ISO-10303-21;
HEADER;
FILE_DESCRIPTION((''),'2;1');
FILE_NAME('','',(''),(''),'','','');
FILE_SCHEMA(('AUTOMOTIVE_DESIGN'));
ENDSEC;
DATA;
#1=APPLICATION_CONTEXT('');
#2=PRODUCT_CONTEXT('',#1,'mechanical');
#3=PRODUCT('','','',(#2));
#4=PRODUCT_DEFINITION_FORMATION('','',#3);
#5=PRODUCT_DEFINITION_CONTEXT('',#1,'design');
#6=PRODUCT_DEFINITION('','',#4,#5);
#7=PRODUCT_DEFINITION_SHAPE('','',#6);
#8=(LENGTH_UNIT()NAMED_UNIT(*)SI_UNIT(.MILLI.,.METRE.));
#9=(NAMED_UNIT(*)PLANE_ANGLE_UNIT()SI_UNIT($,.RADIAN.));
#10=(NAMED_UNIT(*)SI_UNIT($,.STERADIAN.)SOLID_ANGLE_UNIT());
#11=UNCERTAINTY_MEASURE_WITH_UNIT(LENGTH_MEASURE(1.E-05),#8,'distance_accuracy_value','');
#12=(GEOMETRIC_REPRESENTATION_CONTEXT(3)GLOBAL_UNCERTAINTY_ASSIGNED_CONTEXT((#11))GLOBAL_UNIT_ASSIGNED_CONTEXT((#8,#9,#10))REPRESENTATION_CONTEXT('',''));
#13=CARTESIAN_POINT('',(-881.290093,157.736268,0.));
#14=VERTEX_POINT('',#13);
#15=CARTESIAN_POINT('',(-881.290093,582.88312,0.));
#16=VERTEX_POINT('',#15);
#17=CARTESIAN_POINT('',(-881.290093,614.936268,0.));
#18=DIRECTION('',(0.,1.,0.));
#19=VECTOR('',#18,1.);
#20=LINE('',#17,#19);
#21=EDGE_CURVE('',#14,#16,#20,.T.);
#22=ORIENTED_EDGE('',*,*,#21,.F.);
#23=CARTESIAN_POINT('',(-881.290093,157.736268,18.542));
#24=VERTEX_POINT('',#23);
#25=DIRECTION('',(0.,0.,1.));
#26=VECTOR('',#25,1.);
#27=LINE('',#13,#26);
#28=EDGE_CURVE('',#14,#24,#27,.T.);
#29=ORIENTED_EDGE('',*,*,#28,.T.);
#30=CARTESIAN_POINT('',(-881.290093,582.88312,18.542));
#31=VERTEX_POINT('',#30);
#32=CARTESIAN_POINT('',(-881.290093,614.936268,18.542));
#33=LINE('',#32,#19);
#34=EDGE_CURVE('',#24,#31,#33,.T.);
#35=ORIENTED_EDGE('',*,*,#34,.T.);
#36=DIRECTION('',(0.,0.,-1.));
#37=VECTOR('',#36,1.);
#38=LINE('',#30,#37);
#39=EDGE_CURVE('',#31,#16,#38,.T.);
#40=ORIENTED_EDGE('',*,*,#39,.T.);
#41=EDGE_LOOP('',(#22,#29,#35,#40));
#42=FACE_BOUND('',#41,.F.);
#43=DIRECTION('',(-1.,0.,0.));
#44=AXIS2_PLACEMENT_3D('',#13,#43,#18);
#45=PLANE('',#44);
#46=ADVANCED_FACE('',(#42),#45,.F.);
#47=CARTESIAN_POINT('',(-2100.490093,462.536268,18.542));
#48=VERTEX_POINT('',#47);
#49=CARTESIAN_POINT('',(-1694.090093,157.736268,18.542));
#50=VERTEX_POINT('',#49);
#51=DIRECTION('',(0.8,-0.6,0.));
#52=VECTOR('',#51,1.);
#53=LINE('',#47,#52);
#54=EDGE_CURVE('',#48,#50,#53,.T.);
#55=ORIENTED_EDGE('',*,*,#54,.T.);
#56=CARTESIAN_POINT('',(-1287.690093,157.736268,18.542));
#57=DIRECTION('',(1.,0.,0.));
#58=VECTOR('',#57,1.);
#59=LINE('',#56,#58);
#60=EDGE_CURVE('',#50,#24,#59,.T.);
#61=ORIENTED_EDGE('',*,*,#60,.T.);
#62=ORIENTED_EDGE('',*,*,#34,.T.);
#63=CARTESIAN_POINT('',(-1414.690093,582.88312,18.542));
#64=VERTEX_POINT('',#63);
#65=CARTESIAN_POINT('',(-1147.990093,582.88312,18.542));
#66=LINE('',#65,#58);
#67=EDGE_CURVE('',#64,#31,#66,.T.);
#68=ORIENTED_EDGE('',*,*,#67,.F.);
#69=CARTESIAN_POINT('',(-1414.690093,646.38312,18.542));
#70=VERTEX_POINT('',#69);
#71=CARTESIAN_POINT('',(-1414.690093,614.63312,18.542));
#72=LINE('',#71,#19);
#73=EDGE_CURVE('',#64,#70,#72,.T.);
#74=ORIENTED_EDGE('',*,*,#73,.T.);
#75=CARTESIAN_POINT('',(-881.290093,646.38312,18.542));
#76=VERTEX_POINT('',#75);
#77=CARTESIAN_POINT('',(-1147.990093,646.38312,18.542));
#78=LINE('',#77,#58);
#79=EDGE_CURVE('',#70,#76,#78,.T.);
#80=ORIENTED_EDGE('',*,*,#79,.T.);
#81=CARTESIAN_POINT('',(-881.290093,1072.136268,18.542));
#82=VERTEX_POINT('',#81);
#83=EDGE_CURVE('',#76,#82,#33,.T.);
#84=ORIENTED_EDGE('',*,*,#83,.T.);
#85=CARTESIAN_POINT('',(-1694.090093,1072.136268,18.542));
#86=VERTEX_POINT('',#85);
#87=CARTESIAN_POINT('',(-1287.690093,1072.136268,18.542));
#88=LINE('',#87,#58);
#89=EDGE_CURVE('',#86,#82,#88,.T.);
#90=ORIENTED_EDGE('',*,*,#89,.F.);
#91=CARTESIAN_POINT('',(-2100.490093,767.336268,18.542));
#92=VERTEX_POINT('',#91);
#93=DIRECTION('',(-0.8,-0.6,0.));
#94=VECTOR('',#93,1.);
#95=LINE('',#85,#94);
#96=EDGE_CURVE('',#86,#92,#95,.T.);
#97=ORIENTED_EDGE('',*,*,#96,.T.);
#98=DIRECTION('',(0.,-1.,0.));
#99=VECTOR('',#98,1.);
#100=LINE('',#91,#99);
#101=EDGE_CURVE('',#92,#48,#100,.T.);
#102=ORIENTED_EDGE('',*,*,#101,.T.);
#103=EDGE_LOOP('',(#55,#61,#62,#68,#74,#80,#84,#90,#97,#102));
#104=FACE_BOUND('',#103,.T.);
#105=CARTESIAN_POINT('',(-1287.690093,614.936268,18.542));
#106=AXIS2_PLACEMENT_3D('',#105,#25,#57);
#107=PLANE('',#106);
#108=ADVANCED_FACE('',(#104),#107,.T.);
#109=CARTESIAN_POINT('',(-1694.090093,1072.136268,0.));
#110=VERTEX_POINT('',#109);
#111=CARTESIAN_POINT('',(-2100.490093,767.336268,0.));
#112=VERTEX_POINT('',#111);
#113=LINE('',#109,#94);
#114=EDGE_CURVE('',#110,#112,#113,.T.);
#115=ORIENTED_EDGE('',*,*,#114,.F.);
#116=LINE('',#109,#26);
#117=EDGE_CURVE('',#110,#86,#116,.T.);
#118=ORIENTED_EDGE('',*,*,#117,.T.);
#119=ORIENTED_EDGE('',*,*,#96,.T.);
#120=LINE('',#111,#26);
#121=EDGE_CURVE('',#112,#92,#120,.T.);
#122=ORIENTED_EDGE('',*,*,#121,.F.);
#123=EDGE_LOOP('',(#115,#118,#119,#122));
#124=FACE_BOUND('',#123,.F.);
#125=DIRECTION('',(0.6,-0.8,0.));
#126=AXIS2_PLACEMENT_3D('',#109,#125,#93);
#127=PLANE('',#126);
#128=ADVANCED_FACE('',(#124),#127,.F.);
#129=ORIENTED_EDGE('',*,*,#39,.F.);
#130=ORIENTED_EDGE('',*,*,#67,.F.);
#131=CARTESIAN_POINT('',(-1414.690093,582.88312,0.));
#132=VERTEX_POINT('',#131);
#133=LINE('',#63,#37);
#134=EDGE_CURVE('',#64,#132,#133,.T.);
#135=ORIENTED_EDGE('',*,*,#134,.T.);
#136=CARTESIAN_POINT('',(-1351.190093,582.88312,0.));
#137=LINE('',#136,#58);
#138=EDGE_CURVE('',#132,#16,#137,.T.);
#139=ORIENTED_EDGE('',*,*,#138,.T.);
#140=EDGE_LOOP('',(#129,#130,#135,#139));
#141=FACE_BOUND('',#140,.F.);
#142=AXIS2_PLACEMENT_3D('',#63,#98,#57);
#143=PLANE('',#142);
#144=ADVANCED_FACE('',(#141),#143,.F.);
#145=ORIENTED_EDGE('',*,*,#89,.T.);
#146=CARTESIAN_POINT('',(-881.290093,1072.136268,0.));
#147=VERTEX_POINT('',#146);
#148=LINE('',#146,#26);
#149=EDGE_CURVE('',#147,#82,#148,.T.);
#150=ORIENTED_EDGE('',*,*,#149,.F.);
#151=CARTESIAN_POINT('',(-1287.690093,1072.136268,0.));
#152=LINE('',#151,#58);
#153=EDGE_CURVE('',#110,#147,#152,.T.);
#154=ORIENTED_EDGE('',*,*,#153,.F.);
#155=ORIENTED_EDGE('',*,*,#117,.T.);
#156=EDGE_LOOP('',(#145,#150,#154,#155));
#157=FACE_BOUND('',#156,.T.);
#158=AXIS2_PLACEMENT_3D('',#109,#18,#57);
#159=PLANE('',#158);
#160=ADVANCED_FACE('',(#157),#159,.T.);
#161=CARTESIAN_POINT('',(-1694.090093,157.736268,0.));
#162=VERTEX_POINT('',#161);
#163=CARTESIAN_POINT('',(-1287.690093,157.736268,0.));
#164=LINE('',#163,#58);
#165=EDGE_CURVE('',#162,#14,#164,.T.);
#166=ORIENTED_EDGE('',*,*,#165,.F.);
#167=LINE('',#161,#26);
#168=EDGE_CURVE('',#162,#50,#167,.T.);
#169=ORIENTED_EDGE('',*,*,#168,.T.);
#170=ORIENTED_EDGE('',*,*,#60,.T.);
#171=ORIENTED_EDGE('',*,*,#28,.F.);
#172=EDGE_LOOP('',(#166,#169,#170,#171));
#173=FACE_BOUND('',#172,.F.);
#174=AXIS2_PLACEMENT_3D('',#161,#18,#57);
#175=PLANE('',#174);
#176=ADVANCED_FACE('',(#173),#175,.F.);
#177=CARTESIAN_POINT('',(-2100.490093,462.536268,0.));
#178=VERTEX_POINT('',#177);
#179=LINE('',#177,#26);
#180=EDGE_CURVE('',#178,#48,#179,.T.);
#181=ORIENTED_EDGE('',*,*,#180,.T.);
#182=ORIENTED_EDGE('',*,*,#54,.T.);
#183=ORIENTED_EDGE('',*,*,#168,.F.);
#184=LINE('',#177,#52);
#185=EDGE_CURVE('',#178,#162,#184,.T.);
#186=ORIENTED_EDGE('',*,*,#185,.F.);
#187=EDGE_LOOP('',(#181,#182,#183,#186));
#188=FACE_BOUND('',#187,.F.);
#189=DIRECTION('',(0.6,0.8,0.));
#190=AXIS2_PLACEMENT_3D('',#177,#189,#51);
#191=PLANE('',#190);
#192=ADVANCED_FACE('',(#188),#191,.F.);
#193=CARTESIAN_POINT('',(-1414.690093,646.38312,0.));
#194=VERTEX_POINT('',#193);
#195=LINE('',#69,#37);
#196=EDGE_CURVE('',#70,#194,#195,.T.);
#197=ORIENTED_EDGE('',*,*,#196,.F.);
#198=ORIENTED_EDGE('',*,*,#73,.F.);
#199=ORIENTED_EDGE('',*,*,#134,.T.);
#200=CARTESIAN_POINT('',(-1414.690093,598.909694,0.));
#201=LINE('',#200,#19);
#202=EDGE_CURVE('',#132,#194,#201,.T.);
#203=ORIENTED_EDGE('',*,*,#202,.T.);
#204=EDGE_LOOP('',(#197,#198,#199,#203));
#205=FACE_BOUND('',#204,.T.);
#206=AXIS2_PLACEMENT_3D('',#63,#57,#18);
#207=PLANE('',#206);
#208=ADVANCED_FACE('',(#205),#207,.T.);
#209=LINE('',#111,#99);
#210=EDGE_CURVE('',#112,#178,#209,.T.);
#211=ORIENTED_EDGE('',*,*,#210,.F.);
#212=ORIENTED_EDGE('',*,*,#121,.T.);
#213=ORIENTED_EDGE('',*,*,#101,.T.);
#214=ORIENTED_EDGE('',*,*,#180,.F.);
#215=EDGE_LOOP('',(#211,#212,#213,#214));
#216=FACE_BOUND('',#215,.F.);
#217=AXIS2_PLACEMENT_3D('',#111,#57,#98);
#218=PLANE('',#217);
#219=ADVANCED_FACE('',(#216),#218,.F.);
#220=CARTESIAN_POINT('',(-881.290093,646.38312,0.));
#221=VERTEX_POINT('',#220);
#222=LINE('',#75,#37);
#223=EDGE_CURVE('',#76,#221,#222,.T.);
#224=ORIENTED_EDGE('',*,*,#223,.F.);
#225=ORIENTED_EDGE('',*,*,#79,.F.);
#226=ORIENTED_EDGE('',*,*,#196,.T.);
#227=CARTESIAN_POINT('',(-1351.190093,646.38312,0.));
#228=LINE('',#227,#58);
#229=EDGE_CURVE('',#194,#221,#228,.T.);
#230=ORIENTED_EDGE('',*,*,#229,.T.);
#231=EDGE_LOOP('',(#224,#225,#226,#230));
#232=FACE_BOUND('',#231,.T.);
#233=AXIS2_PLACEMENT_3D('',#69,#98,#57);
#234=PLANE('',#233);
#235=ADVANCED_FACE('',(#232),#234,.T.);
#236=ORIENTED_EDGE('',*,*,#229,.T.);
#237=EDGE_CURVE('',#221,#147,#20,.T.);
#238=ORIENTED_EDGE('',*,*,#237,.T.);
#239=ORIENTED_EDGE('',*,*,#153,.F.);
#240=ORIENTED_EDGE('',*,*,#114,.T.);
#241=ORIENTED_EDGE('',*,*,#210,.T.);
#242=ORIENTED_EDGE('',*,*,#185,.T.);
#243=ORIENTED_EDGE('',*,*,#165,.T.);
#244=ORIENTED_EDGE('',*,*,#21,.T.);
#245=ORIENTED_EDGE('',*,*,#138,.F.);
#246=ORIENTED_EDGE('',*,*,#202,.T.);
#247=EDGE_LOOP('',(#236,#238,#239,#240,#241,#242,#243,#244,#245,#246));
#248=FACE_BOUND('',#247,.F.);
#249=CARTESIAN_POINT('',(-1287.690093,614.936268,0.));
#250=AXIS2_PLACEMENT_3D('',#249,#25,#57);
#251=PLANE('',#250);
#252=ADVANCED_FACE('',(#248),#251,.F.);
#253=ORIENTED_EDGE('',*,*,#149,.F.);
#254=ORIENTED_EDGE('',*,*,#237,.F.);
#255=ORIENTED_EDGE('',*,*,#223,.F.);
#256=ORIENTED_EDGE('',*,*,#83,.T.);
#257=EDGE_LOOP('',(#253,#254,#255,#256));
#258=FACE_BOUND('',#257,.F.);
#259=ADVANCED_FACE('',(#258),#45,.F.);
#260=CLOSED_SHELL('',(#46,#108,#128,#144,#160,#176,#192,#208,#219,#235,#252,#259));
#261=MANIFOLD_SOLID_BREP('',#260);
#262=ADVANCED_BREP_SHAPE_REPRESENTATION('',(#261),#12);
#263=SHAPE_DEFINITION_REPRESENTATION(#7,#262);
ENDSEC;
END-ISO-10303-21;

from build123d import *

# Parameters (mm, degrees)
F0_W     = 812.8
F0_H     = 914.4
F1_DEPTH = 18.542
F2_W     = 533.4
F2_H     = 63.5
F3_DEPTH = 18.543


with BuildPart() as f1:
    # F0 (on Top) → F1 (new body)
    with BuildSketch(Plane.XY):
        with Locations((-1287.690093, 614.936268)):
            Rectangle(F0_W, F0_H)
        Polygon((-1694.090093, 157.736268), (-1694.090093, 1072.136268), (-2100.490093, 767.336268), (-2100.490093, 462.536268), align=None)
    extrude(amount=F1_DEPTH)

    # F2 (on face) → F3 (cut, through all)
    with BuildSketch(Plane.XY.offset(18.542)):
        with Locations((-1147.990093, 614.63312)):
            Rectangle(F2_W, F2_H)
    extrude(amount=-F3_DEPTH, mode=Mode.SUBTRACT)


solid = f1.part
